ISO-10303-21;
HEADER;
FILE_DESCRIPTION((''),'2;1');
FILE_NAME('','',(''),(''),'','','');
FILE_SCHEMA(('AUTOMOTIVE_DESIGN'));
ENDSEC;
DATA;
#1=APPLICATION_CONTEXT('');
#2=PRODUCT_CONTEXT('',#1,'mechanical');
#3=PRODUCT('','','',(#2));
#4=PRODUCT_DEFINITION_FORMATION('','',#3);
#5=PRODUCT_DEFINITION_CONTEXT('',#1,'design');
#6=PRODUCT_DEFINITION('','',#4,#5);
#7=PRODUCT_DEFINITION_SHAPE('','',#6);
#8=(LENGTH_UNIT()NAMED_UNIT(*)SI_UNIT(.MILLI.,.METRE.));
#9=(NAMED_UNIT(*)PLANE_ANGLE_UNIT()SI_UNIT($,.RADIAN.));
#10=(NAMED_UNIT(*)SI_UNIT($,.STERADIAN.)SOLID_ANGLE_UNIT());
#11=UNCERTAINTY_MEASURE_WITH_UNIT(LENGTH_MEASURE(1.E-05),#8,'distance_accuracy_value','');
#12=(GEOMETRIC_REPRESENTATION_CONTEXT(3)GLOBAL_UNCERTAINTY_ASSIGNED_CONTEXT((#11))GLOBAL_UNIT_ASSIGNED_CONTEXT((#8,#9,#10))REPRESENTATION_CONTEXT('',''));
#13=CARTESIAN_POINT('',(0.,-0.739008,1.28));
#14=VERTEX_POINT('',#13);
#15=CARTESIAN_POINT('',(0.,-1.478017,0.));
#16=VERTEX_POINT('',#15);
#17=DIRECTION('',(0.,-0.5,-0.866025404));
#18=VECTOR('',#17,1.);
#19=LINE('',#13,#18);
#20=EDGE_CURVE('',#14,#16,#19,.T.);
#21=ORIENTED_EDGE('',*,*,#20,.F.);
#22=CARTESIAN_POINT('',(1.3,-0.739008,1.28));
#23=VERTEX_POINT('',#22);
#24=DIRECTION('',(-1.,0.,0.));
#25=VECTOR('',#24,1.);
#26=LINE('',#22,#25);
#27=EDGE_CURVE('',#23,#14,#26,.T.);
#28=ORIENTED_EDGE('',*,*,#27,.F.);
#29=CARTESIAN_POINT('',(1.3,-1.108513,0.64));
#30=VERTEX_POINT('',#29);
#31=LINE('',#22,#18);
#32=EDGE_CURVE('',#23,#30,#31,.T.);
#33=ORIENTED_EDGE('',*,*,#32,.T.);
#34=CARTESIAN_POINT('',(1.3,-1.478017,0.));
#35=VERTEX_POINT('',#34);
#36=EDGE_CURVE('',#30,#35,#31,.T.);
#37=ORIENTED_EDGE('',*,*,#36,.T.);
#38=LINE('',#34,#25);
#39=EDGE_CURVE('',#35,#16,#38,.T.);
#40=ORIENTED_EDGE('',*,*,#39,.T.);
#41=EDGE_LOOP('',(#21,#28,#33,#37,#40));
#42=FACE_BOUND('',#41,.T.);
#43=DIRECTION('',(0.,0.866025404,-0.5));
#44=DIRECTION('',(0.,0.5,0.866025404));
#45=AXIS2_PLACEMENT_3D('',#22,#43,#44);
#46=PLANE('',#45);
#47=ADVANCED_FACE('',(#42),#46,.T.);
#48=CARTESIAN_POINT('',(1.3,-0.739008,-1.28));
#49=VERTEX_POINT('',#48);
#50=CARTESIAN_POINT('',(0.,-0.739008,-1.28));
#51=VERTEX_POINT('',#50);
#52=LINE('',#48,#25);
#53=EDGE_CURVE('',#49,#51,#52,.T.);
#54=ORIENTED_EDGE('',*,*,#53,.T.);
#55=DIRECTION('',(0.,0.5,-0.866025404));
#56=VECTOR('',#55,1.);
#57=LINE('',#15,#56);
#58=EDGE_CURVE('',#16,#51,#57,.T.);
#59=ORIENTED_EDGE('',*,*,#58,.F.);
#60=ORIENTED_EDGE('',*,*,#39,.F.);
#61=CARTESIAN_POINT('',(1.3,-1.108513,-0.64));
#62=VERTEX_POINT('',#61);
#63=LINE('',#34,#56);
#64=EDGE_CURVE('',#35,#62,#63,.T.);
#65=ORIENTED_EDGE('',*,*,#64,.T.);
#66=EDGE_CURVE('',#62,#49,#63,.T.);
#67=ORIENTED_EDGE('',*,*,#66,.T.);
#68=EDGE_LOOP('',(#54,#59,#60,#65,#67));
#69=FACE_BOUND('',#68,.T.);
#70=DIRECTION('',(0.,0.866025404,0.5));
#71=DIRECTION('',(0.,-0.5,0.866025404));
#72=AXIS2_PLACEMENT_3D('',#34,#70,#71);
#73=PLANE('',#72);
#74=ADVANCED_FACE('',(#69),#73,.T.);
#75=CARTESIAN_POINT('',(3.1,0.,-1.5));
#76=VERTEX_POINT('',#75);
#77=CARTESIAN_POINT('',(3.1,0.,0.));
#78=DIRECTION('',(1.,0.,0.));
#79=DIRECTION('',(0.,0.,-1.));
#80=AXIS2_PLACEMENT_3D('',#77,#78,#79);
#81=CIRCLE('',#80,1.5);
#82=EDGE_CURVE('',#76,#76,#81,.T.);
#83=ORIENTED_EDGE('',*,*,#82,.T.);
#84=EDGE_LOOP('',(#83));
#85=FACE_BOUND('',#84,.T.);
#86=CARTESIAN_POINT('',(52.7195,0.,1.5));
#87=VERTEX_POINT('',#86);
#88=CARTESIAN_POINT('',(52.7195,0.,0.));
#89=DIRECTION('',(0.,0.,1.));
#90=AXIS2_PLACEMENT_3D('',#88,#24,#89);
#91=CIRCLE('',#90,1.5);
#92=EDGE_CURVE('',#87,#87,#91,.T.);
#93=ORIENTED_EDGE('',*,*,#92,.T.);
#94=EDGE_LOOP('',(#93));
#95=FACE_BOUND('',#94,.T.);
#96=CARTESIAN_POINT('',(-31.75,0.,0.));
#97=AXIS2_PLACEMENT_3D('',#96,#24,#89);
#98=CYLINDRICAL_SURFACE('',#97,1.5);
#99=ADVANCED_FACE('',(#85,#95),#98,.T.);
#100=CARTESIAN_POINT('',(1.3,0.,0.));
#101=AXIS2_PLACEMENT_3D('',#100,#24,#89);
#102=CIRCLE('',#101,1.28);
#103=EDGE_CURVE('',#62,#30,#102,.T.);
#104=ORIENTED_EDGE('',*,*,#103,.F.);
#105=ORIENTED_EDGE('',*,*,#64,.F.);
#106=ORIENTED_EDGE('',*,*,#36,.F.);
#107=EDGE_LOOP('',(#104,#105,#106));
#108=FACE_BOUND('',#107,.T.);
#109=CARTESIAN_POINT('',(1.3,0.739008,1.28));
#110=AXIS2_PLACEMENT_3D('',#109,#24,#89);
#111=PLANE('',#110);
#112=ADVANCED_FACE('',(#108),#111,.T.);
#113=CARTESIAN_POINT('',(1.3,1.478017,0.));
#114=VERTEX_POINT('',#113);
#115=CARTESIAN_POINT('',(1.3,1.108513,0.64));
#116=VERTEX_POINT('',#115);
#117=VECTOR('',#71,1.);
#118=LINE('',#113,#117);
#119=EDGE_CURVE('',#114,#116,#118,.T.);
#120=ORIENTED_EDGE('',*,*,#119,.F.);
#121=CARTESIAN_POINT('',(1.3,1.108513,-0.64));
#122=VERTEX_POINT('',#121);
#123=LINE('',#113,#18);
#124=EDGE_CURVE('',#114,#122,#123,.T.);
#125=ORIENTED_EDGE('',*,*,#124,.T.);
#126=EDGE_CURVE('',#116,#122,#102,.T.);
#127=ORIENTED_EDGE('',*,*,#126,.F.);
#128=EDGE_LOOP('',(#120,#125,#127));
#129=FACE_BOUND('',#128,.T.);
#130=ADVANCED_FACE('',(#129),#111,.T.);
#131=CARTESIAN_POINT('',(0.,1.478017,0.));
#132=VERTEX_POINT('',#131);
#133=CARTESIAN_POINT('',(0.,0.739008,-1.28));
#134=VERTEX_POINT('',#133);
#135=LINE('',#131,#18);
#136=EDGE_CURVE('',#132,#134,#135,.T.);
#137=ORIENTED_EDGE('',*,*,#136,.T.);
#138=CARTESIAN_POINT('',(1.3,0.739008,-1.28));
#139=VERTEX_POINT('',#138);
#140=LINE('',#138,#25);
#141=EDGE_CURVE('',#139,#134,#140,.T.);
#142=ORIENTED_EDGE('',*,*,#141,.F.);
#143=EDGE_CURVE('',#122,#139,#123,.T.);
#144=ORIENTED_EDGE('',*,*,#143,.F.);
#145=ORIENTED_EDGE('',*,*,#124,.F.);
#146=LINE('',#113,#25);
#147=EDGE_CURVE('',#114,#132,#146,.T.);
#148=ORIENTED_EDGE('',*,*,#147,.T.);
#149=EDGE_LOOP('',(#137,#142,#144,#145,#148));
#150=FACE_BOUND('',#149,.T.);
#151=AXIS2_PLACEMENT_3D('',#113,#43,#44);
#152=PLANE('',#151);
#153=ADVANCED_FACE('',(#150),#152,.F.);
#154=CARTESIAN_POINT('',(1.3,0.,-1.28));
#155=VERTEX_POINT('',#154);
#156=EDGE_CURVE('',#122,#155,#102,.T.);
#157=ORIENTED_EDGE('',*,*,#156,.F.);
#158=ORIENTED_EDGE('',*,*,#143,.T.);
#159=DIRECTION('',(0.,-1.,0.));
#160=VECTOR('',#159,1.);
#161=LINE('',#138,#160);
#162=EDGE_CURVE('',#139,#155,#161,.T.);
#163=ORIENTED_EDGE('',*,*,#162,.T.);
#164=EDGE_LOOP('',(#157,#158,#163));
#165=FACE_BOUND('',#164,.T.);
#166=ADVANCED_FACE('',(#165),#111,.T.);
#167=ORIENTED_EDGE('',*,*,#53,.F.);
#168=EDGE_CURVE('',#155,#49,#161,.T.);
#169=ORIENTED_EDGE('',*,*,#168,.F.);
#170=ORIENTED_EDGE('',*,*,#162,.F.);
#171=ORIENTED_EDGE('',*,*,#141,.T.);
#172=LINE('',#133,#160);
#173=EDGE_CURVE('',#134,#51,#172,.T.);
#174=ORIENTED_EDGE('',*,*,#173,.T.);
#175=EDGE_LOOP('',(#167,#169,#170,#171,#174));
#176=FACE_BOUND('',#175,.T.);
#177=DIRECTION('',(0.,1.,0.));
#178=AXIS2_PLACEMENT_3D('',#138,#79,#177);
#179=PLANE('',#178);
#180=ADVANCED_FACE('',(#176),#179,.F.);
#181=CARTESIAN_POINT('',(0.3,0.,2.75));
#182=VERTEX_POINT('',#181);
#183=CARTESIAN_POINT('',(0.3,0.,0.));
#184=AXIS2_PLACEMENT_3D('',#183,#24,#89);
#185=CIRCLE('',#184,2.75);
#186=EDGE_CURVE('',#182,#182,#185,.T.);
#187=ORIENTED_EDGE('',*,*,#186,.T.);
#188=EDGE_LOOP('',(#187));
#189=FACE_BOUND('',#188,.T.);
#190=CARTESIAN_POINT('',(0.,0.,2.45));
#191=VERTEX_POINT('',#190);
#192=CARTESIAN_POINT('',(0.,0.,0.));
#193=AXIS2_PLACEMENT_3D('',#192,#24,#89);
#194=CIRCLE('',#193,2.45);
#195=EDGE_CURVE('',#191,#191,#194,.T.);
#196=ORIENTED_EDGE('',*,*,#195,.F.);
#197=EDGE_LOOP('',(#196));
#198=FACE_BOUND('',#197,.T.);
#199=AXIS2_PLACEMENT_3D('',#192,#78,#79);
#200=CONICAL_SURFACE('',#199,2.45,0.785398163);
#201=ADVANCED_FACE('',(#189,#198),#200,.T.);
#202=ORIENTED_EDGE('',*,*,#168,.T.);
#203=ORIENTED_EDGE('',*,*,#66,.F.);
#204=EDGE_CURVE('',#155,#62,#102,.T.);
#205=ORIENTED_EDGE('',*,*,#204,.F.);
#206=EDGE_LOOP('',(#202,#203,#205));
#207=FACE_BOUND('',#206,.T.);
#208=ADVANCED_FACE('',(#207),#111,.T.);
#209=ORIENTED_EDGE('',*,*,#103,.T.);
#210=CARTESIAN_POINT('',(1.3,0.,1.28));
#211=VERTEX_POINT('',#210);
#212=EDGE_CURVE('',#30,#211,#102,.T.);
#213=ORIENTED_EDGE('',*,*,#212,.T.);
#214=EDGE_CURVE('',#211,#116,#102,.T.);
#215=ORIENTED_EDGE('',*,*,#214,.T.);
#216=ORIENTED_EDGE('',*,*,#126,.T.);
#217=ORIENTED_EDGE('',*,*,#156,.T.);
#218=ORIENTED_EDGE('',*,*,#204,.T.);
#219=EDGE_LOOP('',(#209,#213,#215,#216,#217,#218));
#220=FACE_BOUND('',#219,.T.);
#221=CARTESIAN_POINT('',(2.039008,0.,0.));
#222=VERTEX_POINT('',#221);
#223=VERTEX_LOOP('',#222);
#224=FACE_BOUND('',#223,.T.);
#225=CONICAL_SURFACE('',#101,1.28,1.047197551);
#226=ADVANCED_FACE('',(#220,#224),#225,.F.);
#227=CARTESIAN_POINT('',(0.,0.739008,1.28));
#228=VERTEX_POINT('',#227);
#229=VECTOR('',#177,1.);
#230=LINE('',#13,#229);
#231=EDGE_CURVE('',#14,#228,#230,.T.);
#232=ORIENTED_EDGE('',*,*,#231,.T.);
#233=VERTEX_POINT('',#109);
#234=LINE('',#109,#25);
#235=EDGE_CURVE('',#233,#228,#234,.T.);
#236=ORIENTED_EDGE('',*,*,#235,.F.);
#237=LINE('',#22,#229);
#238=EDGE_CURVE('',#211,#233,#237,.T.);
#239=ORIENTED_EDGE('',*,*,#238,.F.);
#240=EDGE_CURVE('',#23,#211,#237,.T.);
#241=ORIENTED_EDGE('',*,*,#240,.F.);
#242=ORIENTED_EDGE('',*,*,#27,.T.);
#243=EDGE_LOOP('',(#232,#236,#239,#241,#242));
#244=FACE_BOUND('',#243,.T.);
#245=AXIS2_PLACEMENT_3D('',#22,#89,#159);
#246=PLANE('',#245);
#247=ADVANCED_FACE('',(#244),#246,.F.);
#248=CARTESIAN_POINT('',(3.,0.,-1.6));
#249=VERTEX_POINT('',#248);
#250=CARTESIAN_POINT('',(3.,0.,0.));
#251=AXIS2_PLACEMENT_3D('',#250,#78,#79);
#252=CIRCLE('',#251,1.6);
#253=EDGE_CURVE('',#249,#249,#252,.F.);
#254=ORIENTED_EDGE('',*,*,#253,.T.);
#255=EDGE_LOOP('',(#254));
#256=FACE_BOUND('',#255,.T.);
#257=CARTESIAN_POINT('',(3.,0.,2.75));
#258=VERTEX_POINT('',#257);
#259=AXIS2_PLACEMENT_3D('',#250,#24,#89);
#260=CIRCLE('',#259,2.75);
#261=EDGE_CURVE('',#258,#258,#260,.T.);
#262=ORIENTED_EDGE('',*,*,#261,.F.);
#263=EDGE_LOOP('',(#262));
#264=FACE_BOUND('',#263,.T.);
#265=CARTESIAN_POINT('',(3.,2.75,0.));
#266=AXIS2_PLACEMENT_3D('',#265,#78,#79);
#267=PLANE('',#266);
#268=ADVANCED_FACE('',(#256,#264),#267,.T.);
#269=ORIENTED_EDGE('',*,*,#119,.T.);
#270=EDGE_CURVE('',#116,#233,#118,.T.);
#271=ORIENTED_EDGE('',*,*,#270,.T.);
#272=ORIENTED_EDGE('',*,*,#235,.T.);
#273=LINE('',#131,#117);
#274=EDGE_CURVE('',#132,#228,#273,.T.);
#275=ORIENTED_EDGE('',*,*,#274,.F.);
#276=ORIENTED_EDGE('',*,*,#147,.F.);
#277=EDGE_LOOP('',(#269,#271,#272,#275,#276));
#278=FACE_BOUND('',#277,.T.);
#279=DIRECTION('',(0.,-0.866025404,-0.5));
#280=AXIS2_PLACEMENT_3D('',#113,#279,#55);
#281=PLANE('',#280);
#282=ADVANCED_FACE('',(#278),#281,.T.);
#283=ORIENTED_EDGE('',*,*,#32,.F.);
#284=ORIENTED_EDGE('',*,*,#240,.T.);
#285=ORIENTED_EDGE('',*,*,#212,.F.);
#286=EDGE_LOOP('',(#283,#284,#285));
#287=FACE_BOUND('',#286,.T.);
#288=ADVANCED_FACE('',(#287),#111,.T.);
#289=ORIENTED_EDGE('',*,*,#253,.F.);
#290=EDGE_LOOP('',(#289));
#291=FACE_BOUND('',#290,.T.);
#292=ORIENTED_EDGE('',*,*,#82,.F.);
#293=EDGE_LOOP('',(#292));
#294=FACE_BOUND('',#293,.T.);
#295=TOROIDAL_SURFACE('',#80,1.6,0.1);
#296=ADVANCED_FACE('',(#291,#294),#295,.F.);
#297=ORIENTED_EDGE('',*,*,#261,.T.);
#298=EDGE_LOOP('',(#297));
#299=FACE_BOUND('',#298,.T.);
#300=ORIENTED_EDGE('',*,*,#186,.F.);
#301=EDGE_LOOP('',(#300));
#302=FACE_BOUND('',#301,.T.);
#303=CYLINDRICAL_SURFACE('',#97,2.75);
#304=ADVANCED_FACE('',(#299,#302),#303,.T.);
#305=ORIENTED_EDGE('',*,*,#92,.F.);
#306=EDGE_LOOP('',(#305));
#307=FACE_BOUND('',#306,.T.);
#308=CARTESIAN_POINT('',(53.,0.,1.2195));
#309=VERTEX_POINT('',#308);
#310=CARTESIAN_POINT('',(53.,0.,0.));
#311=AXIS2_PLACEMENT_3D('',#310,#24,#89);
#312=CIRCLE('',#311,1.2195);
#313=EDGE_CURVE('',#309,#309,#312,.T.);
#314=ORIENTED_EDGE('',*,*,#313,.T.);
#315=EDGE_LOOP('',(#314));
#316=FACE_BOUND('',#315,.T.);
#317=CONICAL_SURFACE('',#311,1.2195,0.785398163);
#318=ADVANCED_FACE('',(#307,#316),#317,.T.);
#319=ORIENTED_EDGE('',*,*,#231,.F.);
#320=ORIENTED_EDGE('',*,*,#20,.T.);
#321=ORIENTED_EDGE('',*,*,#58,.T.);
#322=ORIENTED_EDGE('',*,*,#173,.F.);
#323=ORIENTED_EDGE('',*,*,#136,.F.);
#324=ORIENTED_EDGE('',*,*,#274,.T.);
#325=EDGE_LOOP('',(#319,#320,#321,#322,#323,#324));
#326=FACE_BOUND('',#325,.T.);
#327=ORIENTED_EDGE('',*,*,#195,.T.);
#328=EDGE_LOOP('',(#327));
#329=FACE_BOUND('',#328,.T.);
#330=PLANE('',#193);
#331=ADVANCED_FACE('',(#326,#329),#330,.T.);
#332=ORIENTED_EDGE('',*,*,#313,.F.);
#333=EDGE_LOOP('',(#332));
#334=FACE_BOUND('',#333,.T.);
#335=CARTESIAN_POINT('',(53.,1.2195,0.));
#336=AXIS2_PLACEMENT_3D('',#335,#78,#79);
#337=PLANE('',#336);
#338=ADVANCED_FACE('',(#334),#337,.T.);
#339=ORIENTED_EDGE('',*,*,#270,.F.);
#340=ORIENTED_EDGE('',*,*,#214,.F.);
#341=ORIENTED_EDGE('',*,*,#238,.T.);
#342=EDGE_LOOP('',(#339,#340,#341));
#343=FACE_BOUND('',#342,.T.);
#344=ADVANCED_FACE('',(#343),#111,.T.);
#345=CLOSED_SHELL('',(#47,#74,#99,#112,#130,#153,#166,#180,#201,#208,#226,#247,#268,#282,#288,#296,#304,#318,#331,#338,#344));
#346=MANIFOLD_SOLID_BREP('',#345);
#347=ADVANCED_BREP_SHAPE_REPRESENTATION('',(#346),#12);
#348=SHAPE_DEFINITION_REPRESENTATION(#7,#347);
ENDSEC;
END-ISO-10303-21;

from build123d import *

# Parameters (mm, degrees)
FILLET1_R   = 0.1
HEX_2_DEPTH = 1.3


with BuildPart() as part:
    # BodySke → Base-Revolve (revolve)
    with BuildSketch(Plane.XY, mode=Mode.PRIVATE) as base_revolve_sk:
        Polygon((0, 0), (0, 2.45), (0.3, 2.75), (3, 2.75), (3, 1.5), (52.7195, 1.5), (53, 1.2195), (53, 0), align=None)
    revolve(base_revolve_sk.sketch.rotate(Axis((-31.75, 0, 0), (1, 0, 0)), 90), axis=Axis((-31.75, 0, 0), (1, 0, 0)))

    # Fillet1
    fillet1_edges = [part.edges().sort_by_distance(p)[0] for p in [
        (3, 0, -1.5),
    ]]
    fillet(fillet1_edges, radius=FILLET1_R)

    # Sketch2 → Hex-PreBroach (revolve, cut)
    with BuildSketch(Plane.XY, mode=Mode.PRIVATE) as hex_prebroach_sk:
        Polygon((0, 1.28), (1.3, 1.28), (2.039008345, 0), (0, 0), align=None)
    revolve(hex_prebroach_sk.sketch.rotate(Axis((0, 0, 0), (1, 0, 0)), 90), axis=Axis((0, 0, 0), (1, 0, 0)), mode=Mode.SUBTRACT)

    # Sketch3 → Hex 2 (cut)
    with BuildSketch(Plane(origin=(0, 0, 0), x_dir=(0, 0.500000000000001, 0.866025403784438), z_dir=(-1, 0, 0))):
        Polygon((0.739008345, 1.28), (-0.739008345, 1.28), (-1.478016689, 0), (-0.739008345, -1.28), (0.739008345, -1.28), (1.478016689, 0), align=None)
    extrude(amount=-HEX_2_DEPTH, mode=Mode.SUBTRACT)


solid = part.part
